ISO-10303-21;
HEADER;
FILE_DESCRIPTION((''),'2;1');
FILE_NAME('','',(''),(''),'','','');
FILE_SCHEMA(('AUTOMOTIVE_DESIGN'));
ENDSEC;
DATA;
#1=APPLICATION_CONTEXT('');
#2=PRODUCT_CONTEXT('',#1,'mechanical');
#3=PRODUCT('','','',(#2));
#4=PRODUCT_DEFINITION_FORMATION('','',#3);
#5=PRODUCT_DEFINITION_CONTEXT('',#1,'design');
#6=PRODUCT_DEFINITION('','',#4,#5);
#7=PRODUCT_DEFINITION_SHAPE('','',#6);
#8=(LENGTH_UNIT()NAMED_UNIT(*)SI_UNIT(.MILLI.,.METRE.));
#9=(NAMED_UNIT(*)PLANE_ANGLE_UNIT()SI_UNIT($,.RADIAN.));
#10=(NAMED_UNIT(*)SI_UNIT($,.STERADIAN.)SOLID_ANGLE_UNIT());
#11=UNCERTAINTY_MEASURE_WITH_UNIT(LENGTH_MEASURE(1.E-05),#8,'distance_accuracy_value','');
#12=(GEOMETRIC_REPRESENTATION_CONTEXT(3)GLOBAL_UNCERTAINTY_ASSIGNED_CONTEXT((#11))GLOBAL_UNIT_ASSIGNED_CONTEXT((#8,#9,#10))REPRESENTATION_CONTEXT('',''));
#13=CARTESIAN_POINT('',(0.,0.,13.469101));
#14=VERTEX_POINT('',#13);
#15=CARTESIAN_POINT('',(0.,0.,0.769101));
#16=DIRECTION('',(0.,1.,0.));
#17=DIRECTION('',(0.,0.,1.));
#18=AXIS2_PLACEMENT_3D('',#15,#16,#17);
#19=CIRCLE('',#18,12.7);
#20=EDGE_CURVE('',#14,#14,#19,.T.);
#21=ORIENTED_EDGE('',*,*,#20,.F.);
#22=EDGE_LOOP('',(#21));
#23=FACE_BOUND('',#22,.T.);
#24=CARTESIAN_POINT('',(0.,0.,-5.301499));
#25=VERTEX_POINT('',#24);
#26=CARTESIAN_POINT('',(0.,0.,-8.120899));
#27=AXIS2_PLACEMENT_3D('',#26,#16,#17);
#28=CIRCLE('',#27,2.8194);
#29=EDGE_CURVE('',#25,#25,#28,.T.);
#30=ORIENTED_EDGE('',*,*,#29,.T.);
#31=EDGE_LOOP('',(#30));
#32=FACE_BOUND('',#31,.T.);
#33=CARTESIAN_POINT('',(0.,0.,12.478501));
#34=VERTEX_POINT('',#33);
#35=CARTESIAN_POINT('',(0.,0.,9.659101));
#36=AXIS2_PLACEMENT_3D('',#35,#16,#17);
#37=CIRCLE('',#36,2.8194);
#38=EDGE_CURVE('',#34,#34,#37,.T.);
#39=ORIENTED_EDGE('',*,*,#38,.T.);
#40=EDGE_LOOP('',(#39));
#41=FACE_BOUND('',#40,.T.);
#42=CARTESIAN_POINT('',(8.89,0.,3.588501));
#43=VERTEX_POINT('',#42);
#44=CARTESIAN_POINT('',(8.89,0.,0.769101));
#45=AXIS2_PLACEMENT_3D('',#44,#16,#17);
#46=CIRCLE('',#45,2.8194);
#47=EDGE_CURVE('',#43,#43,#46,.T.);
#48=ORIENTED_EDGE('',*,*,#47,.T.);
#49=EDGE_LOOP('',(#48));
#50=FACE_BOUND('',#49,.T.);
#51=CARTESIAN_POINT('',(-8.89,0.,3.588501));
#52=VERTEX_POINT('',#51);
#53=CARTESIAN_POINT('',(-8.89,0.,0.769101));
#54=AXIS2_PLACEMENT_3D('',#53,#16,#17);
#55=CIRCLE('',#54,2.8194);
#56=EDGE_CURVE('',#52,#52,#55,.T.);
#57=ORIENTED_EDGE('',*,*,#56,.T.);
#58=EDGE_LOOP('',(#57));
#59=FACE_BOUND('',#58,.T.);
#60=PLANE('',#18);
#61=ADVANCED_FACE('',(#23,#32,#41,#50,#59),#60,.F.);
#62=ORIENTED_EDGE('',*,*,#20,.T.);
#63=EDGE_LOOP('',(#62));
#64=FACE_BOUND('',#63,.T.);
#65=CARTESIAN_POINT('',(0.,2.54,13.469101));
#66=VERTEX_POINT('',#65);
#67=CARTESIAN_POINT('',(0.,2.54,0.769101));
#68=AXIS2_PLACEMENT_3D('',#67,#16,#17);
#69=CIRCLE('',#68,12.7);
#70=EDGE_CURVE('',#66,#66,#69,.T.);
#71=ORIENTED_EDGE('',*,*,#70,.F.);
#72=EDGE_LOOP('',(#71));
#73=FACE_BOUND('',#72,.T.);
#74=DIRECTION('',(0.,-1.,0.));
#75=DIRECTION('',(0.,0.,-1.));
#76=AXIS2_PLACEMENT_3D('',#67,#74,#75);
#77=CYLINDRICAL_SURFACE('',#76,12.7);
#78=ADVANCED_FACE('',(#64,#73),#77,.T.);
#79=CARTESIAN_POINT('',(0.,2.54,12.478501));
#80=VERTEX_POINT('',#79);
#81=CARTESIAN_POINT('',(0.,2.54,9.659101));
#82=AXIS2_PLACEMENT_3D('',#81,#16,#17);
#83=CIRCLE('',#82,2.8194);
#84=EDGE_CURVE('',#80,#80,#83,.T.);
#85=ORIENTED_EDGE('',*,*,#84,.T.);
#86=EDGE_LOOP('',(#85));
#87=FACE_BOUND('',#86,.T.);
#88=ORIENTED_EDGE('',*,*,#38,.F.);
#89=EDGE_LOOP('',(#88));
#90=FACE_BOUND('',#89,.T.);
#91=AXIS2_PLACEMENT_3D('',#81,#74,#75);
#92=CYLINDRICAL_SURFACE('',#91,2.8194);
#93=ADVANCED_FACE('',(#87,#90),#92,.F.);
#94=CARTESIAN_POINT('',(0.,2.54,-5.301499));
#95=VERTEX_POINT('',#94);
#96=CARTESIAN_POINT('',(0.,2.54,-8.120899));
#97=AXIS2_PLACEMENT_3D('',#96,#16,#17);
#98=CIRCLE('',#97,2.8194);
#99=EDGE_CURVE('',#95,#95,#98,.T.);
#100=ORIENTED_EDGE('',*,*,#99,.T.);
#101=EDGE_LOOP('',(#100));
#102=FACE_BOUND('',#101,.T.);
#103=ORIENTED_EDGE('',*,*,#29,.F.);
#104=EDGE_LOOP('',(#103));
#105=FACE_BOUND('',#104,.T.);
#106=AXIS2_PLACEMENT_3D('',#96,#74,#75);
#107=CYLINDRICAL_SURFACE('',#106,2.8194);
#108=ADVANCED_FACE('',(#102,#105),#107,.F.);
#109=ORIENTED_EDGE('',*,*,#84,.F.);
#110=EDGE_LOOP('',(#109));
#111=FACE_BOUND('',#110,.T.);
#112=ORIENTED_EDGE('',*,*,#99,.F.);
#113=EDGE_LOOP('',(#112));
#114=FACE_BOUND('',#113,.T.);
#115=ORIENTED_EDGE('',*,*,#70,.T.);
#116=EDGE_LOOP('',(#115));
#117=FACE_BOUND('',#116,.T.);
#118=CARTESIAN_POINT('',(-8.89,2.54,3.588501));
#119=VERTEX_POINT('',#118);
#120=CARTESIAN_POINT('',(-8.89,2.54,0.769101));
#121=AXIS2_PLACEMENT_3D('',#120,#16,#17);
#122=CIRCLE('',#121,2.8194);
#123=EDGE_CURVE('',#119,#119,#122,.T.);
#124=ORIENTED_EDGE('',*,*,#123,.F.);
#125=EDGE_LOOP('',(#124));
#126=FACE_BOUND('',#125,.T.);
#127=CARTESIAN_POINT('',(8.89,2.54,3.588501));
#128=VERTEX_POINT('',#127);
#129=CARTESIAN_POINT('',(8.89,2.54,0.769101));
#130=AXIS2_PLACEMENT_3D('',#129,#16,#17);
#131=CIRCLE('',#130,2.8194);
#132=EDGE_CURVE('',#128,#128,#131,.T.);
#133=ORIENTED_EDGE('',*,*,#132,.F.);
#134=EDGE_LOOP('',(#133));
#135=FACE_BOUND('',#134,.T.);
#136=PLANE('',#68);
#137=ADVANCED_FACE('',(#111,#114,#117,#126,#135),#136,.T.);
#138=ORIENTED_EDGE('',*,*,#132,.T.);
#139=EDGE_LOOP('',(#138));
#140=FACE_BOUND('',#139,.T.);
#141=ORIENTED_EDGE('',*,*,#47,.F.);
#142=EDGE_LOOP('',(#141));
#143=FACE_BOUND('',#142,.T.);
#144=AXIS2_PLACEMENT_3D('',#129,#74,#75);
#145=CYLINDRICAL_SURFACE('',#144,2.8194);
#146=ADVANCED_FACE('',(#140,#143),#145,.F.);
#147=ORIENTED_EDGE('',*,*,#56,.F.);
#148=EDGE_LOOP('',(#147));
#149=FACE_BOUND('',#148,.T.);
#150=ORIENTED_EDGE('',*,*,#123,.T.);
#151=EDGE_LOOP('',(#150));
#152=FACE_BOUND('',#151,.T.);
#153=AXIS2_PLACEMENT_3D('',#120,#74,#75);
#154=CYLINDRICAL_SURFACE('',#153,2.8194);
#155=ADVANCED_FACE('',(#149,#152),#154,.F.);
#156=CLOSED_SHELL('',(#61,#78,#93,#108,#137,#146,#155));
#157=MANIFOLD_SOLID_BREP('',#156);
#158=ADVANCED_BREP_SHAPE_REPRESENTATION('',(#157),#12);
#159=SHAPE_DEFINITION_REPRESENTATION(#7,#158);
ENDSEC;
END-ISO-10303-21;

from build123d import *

# Parameters (mm, degrees)
SKETCH2_R           = 12.7
SKETCH2_R_2         = 2.8194
BOSS_EXTRUDE1_DEPTH = 2.54


with BuildPart() as part:
    # Sketch2 → Boss-Extrude1 (new body)
    with BuildSketch(Plane(origin=(0, 0, 0), x_dir=(1, 0, 0), z_dir=(0, 1, 0))):
        with Locations(Location((0, -0.76910059, 0), (0, 0, 270))):
            Circle(SKETCH2_R)
        with Locations(Location((0, 8.12089941, 0), (0, 0, 270))):
            Circle(SKETCH2_R_2, mode=Mode.SUBTRACT)
        with Locations(Location((8.89, -0.76910059, 0), (0, 0, 270))):
            Circle(SKETCH2_R_2, mode=Mode.SUBTRACT)
        with Locations(Location((0, -9.65910059, 0), (0, 0, 270))):
            Circle(SKETCH2_R_2, mode=Mode.SUBTRACT)
        with Locations(Location((-8.89, -0.76910059, 0), (0, 0, 270))):
            Circle(SKETCH2_R_2, mode=Mode.SUBTRACT)
    extrude(amount=BOSS_EXTRUDE1_DEPTH)


solid = part.part
